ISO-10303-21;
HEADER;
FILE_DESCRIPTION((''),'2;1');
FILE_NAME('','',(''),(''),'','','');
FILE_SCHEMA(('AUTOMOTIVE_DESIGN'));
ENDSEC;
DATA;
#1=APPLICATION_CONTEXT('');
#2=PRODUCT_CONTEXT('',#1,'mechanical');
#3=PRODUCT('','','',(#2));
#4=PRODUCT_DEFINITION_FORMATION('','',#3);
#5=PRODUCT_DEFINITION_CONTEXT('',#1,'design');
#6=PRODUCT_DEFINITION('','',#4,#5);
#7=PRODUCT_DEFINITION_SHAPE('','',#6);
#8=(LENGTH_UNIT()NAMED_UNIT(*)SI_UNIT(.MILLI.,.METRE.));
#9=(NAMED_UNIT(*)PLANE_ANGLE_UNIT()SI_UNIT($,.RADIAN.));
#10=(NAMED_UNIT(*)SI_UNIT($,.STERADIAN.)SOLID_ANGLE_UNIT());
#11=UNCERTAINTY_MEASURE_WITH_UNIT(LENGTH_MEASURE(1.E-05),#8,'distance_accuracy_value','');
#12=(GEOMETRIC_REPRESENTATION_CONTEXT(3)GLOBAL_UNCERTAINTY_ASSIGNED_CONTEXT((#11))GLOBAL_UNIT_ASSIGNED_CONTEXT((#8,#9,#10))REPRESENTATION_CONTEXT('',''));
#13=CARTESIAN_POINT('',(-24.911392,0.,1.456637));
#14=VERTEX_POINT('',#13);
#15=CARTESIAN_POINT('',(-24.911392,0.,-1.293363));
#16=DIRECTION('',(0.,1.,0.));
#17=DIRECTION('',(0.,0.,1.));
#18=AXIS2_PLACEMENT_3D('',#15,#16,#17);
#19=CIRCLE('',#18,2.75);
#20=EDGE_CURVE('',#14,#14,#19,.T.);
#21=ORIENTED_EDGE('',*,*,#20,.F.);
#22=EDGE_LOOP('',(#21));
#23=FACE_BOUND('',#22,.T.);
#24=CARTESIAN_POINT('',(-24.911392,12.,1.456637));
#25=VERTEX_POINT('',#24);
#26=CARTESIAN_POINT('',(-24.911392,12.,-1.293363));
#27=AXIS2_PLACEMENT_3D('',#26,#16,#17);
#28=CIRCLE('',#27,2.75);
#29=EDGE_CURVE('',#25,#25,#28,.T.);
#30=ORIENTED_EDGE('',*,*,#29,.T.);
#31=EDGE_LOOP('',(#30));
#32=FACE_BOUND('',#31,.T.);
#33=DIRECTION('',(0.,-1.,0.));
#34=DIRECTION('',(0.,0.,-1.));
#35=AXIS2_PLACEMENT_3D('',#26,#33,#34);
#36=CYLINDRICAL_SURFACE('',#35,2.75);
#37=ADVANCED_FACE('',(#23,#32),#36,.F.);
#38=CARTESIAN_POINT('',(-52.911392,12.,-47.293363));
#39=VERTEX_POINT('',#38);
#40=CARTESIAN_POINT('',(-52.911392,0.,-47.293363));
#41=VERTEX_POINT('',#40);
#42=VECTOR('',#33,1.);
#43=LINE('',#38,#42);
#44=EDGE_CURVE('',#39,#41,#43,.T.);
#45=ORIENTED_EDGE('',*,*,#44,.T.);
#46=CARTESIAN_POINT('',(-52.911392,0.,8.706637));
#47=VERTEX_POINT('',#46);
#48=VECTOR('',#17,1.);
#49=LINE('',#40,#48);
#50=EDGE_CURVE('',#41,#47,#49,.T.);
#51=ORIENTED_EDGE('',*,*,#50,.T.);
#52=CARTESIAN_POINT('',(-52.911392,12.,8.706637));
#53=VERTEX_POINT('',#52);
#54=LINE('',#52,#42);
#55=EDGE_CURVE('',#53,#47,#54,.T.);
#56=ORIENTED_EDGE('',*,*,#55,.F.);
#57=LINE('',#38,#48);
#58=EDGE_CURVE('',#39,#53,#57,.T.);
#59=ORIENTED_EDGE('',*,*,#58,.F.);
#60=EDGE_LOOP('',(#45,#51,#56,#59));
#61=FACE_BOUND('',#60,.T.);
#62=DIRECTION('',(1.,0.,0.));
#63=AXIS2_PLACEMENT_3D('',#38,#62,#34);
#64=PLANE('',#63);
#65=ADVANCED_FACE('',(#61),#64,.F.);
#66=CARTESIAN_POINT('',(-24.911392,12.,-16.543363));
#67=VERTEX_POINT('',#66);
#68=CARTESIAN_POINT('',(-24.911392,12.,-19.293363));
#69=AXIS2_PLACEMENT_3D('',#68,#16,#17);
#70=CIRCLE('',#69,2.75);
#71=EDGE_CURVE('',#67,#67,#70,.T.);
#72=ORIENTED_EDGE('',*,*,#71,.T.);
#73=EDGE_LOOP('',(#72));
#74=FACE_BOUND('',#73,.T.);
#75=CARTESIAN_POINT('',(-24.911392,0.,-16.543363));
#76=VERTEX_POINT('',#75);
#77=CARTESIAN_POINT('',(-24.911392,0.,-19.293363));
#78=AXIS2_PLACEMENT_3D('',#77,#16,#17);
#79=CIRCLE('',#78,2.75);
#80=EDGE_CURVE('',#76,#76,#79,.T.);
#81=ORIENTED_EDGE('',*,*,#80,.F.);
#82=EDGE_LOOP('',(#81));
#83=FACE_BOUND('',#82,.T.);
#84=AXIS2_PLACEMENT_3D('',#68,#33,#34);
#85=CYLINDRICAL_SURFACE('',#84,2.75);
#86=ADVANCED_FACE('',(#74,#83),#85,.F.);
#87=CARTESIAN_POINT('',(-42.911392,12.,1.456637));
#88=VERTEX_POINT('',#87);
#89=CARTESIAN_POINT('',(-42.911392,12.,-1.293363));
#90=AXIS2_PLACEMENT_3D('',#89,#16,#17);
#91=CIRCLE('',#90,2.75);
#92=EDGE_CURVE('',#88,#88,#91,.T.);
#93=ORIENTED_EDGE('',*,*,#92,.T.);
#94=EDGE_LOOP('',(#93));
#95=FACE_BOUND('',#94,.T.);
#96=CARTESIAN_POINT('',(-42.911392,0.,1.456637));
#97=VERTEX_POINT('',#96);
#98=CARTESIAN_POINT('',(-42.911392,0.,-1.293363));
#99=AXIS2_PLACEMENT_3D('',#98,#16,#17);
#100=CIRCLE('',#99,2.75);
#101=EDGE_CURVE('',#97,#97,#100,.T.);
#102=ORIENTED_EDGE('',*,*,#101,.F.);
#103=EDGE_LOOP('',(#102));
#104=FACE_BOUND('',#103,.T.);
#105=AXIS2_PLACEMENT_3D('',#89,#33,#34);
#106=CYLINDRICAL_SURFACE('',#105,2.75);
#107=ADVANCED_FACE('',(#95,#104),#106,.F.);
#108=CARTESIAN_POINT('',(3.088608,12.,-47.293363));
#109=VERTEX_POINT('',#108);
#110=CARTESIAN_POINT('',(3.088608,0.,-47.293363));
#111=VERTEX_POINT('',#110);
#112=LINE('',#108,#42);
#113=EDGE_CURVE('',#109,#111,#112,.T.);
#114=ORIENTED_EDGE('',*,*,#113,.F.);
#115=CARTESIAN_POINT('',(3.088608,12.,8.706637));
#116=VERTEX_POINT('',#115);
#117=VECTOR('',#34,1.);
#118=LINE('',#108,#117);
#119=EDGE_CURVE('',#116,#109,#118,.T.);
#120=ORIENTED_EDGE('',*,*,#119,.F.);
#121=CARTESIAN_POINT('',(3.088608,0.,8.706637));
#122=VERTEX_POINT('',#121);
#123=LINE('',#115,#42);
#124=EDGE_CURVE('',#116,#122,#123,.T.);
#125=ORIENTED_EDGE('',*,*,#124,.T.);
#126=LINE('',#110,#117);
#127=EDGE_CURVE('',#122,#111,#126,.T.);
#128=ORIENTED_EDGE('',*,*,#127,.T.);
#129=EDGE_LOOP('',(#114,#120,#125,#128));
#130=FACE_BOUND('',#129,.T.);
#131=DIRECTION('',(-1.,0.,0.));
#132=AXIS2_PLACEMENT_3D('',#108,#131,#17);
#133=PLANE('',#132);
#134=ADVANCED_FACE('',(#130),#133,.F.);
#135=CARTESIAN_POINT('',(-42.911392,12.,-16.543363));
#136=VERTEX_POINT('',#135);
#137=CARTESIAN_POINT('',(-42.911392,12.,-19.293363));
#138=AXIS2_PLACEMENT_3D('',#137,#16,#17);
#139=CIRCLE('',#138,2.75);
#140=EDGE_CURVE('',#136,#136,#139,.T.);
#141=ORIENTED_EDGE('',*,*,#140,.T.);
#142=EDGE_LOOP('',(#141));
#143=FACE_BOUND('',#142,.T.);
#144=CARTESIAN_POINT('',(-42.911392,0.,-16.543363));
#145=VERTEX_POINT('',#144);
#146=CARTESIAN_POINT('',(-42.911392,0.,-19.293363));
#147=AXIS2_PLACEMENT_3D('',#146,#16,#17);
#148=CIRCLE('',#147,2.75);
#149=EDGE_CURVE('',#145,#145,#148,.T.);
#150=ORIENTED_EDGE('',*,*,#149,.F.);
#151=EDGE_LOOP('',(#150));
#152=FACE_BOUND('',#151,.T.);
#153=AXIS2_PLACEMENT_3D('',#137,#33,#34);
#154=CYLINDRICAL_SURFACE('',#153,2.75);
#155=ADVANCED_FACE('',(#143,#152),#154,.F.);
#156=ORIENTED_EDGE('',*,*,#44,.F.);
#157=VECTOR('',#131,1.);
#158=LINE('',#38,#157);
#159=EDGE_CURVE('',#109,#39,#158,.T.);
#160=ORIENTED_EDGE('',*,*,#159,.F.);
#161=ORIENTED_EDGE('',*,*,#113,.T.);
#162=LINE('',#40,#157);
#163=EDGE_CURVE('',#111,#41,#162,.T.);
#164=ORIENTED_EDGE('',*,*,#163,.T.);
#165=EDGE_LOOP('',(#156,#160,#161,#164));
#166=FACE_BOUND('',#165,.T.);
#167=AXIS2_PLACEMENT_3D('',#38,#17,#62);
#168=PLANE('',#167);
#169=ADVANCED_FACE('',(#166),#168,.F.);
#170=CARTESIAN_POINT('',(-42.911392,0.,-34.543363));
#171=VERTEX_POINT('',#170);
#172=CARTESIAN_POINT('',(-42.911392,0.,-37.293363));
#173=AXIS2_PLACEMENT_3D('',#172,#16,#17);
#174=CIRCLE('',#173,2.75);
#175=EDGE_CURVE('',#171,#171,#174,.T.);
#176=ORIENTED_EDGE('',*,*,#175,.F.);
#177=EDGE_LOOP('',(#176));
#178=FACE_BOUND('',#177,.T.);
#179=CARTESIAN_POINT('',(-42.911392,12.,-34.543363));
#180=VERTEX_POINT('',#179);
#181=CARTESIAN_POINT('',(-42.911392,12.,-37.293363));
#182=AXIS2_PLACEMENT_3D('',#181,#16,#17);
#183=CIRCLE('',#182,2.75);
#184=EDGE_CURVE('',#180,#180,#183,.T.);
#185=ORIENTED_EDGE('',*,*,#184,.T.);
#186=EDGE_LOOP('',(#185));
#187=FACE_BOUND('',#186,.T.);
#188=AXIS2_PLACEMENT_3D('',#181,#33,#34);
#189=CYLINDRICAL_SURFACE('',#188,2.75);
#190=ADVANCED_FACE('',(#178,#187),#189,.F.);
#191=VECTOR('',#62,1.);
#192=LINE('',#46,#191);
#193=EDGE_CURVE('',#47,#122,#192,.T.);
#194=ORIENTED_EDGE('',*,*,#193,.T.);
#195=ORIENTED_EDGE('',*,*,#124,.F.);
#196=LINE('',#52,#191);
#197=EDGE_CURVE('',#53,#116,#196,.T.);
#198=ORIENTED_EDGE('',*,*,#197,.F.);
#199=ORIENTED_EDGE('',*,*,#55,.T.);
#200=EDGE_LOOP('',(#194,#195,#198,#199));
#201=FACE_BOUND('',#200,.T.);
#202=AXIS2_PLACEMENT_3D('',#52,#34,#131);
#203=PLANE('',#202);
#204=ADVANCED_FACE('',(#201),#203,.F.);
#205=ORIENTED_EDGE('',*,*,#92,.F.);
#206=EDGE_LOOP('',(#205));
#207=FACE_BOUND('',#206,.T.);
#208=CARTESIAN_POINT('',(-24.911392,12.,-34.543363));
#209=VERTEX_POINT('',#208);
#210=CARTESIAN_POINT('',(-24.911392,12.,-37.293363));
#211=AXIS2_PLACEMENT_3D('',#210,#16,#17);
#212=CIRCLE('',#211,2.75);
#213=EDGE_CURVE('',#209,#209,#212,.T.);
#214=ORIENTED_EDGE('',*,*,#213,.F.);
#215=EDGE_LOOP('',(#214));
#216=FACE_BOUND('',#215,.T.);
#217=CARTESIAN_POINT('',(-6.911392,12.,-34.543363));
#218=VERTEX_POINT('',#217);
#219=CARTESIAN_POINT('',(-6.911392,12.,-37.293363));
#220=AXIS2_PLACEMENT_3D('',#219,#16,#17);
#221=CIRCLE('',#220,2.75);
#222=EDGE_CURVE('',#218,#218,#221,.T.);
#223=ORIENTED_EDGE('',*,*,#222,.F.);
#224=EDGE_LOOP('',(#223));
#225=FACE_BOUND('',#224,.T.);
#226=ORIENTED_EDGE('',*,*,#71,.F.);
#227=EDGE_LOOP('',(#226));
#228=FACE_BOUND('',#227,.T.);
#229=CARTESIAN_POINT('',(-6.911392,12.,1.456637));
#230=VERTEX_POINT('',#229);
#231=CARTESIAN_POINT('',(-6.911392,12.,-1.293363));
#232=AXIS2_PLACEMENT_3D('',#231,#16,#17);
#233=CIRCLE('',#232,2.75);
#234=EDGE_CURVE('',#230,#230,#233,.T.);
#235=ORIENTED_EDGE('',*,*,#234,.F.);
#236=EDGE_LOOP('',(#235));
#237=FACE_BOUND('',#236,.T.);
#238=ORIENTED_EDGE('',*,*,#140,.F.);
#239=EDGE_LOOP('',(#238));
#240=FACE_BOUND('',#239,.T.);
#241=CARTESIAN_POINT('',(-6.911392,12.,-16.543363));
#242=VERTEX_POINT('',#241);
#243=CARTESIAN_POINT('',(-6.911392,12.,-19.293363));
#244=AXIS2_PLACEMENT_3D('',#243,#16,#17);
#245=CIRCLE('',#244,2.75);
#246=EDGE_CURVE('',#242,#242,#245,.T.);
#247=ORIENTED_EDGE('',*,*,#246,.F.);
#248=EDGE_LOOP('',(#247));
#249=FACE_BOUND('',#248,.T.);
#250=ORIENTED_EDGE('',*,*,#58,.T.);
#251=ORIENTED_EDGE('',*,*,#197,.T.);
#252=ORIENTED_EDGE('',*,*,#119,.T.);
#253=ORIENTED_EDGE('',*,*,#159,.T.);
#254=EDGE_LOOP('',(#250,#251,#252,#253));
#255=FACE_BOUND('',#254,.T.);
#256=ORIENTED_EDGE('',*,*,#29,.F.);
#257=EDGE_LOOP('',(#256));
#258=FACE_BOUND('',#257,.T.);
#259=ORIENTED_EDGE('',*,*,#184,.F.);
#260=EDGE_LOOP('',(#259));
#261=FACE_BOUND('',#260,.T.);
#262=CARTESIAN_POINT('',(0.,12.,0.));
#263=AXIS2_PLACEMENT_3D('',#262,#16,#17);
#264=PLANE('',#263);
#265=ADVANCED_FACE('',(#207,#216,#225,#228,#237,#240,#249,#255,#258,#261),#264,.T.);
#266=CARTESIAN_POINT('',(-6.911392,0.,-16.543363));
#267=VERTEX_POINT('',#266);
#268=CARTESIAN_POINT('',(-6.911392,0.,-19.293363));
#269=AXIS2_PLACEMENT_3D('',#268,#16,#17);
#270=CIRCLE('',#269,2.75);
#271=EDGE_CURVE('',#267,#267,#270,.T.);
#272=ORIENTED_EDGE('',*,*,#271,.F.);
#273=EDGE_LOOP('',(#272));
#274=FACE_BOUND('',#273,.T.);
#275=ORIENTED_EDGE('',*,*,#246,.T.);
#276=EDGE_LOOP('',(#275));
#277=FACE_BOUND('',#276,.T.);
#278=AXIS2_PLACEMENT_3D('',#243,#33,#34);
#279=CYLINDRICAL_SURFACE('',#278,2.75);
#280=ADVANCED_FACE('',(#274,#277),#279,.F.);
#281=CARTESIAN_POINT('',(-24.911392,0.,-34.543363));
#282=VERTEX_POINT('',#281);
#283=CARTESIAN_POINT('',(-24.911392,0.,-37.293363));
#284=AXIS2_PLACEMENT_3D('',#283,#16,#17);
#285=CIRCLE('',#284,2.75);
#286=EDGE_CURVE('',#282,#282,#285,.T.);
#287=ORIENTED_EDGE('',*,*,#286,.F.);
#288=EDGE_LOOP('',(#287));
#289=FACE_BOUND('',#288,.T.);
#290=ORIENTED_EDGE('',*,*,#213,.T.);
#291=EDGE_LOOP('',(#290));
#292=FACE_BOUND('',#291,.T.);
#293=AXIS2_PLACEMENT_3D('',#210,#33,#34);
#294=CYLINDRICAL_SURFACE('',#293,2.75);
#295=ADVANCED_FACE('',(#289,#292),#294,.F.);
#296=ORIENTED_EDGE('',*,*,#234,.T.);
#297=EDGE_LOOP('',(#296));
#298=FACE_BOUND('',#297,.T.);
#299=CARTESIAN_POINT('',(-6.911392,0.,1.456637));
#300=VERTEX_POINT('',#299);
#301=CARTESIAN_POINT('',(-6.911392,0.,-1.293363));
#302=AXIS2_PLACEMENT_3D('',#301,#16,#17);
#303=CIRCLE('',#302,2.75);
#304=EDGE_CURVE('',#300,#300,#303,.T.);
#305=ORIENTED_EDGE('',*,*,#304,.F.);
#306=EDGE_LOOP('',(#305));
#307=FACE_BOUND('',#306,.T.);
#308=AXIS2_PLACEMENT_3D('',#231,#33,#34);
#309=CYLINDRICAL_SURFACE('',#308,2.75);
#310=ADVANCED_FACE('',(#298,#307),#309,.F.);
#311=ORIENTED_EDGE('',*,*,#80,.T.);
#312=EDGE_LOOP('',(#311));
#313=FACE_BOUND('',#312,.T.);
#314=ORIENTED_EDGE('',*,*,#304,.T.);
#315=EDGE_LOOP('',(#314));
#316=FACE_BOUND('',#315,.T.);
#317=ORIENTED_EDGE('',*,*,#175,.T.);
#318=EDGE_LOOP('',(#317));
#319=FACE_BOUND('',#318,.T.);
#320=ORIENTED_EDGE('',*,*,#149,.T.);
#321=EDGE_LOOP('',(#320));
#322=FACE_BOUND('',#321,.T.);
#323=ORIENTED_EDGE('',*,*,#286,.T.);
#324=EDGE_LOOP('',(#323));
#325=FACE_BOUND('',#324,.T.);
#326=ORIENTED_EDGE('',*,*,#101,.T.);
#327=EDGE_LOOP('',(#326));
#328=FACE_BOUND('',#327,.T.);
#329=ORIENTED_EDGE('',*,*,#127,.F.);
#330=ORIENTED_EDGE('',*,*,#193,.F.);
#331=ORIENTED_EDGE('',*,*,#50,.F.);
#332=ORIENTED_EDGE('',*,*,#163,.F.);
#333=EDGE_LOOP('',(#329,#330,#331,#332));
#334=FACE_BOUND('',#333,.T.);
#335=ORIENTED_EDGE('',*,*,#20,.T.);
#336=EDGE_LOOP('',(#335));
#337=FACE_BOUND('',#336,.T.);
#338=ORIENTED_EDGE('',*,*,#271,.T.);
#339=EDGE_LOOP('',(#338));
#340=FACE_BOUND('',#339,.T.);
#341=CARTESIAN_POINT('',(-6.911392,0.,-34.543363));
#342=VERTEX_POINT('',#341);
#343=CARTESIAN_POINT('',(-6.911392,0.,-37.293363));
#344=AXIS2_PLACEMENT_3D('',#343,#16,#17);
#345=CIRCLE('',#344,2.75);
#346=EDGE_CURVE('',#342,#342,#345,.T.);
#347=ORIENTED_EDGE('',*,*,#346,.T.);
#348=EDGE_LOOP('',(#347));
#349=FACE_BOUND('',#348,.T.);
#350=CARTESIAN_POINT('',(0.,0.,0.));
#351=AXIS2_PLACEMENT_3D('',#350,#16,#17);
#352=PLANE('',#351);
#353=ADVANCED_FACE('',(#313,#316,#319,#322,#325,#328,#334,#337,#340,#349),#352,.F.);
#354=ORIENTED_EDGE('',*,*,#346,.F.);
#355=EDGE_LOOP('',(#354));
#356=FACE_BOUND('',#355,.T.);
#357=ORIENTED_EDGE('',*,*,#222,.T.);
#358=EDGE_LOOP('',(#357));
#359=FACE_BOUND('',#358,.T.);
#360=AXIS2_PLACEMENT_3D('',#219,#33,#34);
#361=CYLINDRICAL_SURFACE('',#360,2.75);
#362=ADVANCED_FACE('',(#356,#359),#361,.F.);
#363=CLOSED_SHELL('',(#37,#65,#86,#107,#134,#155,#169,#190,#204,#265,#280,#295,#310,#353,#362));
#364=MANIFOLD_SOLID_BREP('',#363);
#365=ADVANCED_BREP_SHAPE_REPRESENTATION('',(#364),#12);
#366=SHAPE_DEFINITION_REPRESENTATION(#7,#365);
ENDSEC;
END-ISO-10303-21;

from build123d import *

# Parameters (mm, degrees)
SKETCH1_W           = 56
SKETCH1_H           = 56
SKETCH1_R           = 2.75
BOSS_EXTRUDE2_DEPTH = 12


with BuildPart() as part:
    # Sketch1 → Boss-Extrude2 (new body)
    with BuildSketch(Plane(origin=(0, 0, 0), x_dir=(1, 0, 0), z_dir=(0, 1, 0))):
        with Locations((-24.911392405, 19.293363463)):
            Rectangle(SKETCH1_W, SKETCH1_H)
        with Locations((-42.911392405, 37.293363463)):
            Circle(SKETCH1_R, mode=Mode.SUBTRACT)
        with Locations((-24.911392405, 37.293363463)):
            Circle(SKETCH1_R, mode=Mode.SUBTRACT)
        with Locations((-6.911392405, 37.293363463)):
            Circle(SKETCH1_R, mode=Mode.SUBTRACT)
        with Locations((-24.911392405, 19.293363463)):
            Circle(SKETCH1_R, mode=Mode.SUBTRACT)
        with Locations((-6.911392405, 19.293363463)):
            Circle(SKETCH1_R, mode=Mode.SUBTRACT)
        with Locations((-24.911392405, 1.293363463)):
            Circle(SKETCH1_R, mode=Mode.SUBTRACT)
        with Locations((-6.911392405, 1.293363463)):
            Circle(SKETCH1_R, mode=Mode.SUBTRACT)
        with Locations((-42.911392405, 19.293363463)):
            Circle(SKETCH1_R, mode=Mode.SUBTRACT)
        with Locations((-42.911392405, 1.293363463)):
            Circle(SKETCH1_R, mode=Mode.SUBTRACT)
    extrude(amount=BOSS_EXTRUDE2_DEPTH)


solid = part.part
